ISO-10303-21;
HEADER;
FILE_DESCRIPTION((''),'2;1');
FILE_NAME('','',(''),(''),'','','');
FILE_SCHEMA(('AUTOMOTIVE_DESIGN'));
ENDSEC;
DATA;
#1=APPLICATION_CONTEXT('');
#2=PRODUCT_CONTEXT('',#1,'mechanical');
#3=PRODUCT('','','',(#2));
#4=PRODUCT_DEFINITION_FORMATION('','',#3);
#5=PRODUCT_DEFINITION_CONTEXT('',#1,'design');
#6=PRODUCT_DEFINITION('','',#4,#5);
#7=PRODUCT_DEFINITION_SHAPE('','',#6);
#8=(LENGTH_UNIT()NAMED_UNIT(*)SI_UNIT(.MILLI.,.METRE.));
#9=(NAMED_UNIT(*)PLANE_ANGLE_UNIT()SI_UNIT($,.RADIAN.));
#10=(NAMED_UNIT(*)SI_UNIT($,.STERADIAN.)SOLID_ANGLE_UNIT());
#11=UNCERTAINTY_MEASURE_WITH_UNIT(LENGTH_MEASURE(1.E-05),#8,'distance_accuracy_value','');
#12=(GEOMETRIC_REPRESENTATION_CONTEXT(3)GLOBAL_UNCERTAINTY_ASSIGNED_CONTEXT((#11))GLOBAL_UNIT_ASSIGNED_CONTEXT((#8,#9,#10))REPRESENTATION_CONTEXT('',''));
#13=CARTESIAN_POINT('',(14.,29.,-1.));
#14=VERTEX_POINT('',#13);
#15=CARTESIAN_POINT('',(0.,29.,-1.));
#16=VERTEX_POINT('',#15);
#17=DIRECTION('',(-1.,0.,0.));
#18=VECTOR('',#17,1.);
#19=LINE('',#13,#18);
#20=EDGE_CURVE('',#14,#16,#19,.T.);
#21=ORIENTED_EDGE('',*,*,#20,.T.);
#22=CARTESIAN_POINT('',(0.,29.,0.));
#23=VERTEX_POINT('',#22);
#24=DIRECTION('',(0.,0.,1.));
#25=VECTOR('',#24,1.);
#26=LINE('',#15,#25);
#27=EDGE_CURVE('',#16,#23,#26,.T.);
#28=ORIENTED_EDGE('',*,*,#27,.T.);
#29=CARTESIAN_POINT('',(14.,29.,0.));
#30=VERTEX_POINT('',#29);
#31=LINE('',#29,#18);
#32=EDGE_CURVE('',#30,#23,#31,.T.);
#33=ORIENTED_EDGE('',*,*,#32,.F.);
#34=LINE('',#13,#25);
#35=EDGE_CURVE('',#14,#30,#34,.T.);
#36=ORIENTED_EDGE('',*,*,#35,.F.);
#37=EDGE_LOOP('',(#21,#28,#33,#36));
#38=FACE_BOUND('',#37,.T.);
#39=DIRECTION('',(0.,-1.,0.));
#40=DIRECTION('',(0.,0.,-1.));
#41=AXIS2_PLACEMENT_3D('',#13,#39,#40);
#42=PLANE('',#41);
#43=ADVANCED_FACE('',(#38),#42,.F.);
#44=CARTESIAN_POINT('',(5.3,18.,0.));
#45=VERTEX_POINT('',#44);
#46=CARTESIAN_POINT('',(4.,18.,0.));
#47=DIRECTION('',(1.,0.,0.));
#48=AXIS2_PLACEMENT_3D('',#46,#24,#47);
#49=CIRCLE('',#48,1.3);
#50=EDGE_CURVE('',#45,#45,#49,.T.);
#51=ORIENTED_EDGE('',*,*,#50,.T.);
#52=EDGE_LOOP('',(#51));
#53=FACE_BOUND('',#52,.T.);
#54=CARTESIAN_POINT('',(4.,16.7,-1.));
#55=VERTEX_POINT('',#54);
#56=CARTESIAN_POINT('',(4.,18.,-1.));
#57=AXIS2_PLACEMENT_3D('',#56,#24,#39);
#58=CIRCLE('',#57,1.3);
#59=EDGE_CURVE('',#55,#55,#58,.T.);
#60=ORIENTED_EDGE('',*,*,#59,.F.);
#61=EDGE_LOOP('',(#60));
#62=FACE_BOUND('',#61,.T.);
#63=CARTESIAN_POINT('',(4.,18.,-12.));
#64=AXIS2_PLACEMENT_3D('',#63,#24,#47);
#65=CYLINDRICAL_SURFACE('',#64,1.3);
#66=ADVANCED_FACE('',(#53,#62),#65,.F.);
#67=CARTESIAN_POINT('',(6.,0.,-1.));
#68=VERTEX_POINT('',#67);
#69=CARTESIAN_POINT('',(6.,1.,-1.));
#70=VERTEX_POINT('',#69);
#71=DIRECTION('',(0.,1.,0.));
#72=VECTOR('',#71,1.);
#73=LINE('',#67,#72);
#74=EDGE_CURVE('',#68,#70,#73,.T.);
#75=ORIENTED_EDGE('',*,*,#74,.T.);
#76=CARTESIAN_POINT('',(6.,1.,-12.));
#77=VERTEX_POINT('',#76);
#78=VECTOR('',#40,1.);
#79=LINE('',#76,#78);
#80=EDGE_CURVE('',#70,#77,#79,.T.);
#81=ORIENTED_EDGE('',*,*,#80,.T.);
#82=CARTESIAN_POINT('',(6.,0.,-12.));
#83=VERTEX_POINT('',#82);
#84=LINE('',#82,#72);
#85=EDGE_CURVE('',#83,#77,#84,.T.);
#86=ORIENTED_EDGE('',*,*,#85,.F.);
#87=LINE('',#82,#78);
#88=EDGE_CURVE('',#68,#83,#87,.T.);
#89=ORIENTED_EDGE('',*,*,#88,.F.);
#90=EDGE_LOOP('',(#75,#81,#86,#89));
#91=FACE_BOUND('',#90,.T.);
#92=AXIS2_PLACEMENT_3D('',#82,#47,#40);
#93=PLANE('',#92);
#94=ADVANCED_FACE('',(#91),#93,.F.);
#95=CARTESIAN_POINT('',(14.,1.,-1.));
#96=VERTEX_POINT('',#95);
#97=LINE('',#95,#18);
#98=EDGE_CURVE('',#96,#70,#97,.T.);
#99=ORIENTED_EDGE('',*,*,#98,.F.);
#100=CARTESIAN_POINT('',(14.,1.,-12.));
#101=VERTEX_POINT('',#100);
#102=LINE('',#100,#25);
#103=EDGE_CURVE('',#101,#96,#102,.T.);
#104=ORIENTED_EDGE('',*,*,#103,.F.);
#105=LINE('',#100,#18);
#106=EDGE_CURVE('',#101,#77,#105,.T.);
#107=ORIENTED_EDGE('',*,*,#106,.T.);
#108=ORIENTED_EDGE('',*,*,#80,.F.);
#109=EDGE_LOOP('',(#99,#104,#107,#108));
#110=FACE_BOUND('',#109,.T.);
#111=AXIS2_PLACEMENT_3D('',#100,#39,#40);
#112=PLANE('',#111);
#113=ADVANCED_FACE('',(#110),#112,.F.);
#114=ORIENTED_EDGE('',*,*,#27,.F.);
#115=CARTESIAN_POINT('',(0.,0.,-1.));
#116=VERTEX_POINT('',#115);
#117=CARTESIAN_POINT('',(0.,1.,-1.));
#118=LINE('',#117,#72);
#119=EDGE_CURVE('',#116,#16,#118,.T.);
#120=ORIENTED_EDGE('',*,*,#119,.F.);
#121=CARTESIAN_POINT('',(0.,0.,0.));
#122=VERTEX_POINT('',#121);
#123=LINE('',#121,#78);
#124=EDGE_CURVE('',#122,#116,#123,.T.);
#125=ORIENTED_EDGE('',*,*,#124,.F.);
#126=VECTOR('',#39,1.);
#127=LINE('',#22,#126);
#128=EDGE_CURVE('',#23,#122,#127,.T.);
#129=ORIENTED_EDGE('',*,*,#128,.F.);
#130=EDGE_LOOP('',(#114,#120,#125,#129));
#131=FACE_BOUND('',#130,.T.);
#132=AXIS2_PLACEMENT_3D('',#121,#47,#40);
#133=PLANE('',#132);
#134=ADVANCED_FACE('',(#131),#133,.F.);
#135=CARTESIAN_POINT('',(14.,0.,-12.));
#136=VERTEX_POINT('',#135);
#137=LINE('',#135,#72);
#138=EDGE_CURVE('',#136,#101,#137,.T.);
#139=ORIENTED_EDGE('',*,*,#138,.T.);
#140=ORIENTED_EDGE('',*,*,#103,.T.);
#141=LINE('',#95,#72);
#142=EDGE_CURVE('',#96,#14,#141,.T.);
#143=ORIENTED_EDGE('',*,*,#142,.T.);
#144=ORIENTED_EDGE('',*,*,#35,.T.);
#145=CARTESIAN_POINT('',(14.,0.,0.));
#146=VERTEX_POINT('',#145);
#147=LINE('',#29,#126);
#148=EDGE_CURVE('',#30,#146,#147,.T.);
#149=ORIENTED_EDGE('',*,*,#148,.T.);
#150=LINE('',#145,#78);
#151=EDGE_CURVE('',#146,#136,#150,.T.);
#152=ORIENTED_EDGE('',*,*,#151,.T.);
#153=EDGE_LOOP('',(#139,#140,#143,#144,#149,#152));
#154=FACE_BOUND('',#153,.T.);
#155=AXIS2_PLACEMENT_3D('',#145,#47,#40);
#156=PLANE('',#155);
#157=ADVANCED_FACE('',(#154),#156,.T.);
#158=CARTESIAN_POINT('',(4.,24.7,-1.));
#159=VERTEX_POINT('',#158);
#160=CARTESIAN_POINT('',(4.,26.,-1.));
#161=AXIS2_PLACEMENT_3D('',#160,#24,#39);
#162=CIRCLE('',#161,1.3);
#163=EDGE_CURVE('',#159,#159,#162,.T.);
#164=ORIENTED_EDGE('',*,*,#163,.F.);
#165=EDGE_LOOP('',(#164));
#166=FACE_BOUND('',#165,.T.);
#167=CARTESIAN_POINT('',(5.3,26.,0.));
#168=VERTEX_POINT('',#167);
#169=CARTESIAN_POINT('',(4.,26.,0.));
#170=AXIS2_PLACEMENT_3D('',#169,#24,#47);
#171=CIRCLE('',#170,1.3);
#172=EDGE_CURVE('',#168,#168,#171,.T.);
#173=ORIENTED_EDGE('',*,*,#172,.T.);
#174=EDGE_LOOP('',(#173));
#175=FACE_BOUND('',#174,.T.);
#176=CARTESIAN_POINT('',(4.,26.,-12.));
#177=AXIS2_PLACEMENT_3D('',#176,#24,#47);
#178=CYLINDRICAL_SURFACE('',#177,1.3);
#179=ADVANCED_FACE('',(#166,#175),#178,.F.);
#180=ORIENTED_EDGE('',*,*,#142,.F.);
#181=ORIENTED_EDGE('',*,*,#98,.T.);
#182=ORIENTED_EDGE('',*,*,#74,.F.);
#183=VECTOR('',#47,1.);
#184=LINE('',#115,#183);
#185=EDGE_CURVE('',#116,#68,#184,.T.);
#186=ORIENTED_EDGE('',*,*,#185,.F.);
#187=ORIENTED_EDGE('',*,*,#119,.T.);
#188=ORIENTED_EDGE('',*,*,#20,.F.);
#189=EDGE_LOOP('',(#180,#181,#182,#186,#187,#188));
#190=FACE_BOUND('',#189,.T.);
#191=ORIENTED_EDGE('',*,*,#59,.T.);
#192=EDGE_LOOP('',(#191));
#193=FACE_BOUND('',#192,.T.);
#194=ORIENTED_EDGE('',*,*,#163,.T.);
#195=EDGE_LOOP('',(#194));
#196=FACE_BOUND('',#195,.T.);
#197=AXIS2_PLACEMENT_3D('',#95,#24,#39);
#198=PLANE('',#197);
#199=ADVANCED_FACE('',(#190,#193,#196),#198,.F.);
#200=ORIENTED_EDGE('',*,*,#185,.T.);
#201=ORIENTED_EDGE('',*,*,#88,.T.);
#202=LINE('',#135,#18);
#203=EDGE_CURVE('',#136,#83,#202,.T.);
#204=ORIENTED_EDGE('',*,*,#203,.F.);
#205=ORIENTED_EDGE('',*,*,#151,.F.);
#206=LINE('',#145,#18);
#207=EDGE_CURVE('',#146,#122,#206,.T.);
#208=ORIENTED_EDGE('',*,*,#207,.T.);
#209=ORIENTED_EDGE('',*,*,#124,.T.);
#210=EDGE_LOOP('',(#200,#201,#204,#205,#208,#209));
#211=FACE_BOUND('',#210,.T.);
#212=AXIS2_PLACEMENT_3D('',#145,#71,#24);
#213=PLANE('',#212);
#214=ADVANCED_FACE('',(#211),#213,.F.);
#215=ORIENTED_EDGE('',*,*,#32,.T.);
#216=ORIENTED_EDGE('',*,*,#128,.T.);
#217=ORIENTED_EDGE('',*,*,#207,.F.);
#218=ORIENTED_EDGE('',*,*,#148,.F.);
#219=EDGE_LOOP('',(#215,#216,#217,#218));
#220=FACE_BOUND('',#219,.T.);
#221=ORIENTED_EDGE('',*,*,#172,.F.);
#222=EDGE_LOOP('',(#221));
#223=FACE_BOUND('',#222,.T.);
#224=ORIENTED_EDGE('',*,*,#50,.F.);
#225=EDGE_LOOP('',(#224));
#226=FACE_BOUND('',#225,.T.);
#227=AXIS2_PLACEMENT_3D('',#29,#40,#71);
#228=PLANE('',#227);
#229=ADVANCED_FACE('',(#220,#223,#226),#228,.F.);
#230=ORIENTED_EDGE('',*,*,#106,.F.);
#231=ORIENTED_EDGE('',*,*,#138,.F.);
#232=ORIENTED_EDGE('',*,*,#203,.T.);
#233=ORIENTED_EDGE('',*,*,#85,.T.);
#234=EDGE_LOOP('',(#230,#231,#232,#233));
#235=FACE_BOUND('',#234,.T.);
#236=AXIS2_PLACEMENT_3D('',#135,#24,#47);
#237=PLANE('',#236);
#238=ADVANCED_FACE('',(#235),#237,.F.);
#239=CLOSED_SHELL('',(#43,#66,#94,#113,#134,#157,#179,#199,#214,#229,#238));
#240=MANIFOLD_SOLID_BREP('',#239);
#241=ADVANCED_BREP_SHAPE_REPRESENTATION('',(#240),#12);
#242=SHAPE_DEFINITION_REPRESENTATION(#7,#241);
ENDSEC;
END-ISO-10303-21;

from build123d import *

# Parameters (mm, degrees)
EXTRUDE_1_DEPTH     = 14
SKETCH_2_R          = 1.3
CUT_EXTRUDE_1_DEPTH = 35.365680555
SKETCH_4_W          = 6
SKETCH_4_H          = 11
CUT_EXTRUDE_3_DEPTH = 34.526109228


with BuildPart() as part:
    # 草圖1 → 填料-伸長1 (new body)
    with BuildSketch(Plane(origin=(0, 0, 0), x_dir=(0, 0, -1), z_dir=(1, 0, 0))):
        Polygon((0, 0), (12, 0), (12, 1), (1, 1), (1, 29), (0, 29), align=None)
    extrude(amount=EXTRUDE_1_DEPTH)

    # 草圖2 → 除料-伸長1 (cut, through all)
    with BuildSketch(Plane.XY):
        with Locations((4, 26)):
            Circle(SKETCH_2_R)
        with Locations((4, 18)):
            Circle(SKETCH_2_R)
    extrude(amount=-CUT_EXTRUDE_1_DEPTH, mode=Mode.SUBTRACT)

    # 草圖4 → 除料-伸長3 (cut, through all)
    with BuildSketch(Plane(origin=(0, 1, 0), x_dir=(1, 0, 0), z_dir=(0, 1, 0))):
        with Locations((3, 6.5)):
            Rectangle(SKETCH_4_W, SKETCH_4_H)
    extrude(amount=-CUT_EXTRUDE_3_DEPTH, mode=Mode.SUBTRACT)


solid = part.part
